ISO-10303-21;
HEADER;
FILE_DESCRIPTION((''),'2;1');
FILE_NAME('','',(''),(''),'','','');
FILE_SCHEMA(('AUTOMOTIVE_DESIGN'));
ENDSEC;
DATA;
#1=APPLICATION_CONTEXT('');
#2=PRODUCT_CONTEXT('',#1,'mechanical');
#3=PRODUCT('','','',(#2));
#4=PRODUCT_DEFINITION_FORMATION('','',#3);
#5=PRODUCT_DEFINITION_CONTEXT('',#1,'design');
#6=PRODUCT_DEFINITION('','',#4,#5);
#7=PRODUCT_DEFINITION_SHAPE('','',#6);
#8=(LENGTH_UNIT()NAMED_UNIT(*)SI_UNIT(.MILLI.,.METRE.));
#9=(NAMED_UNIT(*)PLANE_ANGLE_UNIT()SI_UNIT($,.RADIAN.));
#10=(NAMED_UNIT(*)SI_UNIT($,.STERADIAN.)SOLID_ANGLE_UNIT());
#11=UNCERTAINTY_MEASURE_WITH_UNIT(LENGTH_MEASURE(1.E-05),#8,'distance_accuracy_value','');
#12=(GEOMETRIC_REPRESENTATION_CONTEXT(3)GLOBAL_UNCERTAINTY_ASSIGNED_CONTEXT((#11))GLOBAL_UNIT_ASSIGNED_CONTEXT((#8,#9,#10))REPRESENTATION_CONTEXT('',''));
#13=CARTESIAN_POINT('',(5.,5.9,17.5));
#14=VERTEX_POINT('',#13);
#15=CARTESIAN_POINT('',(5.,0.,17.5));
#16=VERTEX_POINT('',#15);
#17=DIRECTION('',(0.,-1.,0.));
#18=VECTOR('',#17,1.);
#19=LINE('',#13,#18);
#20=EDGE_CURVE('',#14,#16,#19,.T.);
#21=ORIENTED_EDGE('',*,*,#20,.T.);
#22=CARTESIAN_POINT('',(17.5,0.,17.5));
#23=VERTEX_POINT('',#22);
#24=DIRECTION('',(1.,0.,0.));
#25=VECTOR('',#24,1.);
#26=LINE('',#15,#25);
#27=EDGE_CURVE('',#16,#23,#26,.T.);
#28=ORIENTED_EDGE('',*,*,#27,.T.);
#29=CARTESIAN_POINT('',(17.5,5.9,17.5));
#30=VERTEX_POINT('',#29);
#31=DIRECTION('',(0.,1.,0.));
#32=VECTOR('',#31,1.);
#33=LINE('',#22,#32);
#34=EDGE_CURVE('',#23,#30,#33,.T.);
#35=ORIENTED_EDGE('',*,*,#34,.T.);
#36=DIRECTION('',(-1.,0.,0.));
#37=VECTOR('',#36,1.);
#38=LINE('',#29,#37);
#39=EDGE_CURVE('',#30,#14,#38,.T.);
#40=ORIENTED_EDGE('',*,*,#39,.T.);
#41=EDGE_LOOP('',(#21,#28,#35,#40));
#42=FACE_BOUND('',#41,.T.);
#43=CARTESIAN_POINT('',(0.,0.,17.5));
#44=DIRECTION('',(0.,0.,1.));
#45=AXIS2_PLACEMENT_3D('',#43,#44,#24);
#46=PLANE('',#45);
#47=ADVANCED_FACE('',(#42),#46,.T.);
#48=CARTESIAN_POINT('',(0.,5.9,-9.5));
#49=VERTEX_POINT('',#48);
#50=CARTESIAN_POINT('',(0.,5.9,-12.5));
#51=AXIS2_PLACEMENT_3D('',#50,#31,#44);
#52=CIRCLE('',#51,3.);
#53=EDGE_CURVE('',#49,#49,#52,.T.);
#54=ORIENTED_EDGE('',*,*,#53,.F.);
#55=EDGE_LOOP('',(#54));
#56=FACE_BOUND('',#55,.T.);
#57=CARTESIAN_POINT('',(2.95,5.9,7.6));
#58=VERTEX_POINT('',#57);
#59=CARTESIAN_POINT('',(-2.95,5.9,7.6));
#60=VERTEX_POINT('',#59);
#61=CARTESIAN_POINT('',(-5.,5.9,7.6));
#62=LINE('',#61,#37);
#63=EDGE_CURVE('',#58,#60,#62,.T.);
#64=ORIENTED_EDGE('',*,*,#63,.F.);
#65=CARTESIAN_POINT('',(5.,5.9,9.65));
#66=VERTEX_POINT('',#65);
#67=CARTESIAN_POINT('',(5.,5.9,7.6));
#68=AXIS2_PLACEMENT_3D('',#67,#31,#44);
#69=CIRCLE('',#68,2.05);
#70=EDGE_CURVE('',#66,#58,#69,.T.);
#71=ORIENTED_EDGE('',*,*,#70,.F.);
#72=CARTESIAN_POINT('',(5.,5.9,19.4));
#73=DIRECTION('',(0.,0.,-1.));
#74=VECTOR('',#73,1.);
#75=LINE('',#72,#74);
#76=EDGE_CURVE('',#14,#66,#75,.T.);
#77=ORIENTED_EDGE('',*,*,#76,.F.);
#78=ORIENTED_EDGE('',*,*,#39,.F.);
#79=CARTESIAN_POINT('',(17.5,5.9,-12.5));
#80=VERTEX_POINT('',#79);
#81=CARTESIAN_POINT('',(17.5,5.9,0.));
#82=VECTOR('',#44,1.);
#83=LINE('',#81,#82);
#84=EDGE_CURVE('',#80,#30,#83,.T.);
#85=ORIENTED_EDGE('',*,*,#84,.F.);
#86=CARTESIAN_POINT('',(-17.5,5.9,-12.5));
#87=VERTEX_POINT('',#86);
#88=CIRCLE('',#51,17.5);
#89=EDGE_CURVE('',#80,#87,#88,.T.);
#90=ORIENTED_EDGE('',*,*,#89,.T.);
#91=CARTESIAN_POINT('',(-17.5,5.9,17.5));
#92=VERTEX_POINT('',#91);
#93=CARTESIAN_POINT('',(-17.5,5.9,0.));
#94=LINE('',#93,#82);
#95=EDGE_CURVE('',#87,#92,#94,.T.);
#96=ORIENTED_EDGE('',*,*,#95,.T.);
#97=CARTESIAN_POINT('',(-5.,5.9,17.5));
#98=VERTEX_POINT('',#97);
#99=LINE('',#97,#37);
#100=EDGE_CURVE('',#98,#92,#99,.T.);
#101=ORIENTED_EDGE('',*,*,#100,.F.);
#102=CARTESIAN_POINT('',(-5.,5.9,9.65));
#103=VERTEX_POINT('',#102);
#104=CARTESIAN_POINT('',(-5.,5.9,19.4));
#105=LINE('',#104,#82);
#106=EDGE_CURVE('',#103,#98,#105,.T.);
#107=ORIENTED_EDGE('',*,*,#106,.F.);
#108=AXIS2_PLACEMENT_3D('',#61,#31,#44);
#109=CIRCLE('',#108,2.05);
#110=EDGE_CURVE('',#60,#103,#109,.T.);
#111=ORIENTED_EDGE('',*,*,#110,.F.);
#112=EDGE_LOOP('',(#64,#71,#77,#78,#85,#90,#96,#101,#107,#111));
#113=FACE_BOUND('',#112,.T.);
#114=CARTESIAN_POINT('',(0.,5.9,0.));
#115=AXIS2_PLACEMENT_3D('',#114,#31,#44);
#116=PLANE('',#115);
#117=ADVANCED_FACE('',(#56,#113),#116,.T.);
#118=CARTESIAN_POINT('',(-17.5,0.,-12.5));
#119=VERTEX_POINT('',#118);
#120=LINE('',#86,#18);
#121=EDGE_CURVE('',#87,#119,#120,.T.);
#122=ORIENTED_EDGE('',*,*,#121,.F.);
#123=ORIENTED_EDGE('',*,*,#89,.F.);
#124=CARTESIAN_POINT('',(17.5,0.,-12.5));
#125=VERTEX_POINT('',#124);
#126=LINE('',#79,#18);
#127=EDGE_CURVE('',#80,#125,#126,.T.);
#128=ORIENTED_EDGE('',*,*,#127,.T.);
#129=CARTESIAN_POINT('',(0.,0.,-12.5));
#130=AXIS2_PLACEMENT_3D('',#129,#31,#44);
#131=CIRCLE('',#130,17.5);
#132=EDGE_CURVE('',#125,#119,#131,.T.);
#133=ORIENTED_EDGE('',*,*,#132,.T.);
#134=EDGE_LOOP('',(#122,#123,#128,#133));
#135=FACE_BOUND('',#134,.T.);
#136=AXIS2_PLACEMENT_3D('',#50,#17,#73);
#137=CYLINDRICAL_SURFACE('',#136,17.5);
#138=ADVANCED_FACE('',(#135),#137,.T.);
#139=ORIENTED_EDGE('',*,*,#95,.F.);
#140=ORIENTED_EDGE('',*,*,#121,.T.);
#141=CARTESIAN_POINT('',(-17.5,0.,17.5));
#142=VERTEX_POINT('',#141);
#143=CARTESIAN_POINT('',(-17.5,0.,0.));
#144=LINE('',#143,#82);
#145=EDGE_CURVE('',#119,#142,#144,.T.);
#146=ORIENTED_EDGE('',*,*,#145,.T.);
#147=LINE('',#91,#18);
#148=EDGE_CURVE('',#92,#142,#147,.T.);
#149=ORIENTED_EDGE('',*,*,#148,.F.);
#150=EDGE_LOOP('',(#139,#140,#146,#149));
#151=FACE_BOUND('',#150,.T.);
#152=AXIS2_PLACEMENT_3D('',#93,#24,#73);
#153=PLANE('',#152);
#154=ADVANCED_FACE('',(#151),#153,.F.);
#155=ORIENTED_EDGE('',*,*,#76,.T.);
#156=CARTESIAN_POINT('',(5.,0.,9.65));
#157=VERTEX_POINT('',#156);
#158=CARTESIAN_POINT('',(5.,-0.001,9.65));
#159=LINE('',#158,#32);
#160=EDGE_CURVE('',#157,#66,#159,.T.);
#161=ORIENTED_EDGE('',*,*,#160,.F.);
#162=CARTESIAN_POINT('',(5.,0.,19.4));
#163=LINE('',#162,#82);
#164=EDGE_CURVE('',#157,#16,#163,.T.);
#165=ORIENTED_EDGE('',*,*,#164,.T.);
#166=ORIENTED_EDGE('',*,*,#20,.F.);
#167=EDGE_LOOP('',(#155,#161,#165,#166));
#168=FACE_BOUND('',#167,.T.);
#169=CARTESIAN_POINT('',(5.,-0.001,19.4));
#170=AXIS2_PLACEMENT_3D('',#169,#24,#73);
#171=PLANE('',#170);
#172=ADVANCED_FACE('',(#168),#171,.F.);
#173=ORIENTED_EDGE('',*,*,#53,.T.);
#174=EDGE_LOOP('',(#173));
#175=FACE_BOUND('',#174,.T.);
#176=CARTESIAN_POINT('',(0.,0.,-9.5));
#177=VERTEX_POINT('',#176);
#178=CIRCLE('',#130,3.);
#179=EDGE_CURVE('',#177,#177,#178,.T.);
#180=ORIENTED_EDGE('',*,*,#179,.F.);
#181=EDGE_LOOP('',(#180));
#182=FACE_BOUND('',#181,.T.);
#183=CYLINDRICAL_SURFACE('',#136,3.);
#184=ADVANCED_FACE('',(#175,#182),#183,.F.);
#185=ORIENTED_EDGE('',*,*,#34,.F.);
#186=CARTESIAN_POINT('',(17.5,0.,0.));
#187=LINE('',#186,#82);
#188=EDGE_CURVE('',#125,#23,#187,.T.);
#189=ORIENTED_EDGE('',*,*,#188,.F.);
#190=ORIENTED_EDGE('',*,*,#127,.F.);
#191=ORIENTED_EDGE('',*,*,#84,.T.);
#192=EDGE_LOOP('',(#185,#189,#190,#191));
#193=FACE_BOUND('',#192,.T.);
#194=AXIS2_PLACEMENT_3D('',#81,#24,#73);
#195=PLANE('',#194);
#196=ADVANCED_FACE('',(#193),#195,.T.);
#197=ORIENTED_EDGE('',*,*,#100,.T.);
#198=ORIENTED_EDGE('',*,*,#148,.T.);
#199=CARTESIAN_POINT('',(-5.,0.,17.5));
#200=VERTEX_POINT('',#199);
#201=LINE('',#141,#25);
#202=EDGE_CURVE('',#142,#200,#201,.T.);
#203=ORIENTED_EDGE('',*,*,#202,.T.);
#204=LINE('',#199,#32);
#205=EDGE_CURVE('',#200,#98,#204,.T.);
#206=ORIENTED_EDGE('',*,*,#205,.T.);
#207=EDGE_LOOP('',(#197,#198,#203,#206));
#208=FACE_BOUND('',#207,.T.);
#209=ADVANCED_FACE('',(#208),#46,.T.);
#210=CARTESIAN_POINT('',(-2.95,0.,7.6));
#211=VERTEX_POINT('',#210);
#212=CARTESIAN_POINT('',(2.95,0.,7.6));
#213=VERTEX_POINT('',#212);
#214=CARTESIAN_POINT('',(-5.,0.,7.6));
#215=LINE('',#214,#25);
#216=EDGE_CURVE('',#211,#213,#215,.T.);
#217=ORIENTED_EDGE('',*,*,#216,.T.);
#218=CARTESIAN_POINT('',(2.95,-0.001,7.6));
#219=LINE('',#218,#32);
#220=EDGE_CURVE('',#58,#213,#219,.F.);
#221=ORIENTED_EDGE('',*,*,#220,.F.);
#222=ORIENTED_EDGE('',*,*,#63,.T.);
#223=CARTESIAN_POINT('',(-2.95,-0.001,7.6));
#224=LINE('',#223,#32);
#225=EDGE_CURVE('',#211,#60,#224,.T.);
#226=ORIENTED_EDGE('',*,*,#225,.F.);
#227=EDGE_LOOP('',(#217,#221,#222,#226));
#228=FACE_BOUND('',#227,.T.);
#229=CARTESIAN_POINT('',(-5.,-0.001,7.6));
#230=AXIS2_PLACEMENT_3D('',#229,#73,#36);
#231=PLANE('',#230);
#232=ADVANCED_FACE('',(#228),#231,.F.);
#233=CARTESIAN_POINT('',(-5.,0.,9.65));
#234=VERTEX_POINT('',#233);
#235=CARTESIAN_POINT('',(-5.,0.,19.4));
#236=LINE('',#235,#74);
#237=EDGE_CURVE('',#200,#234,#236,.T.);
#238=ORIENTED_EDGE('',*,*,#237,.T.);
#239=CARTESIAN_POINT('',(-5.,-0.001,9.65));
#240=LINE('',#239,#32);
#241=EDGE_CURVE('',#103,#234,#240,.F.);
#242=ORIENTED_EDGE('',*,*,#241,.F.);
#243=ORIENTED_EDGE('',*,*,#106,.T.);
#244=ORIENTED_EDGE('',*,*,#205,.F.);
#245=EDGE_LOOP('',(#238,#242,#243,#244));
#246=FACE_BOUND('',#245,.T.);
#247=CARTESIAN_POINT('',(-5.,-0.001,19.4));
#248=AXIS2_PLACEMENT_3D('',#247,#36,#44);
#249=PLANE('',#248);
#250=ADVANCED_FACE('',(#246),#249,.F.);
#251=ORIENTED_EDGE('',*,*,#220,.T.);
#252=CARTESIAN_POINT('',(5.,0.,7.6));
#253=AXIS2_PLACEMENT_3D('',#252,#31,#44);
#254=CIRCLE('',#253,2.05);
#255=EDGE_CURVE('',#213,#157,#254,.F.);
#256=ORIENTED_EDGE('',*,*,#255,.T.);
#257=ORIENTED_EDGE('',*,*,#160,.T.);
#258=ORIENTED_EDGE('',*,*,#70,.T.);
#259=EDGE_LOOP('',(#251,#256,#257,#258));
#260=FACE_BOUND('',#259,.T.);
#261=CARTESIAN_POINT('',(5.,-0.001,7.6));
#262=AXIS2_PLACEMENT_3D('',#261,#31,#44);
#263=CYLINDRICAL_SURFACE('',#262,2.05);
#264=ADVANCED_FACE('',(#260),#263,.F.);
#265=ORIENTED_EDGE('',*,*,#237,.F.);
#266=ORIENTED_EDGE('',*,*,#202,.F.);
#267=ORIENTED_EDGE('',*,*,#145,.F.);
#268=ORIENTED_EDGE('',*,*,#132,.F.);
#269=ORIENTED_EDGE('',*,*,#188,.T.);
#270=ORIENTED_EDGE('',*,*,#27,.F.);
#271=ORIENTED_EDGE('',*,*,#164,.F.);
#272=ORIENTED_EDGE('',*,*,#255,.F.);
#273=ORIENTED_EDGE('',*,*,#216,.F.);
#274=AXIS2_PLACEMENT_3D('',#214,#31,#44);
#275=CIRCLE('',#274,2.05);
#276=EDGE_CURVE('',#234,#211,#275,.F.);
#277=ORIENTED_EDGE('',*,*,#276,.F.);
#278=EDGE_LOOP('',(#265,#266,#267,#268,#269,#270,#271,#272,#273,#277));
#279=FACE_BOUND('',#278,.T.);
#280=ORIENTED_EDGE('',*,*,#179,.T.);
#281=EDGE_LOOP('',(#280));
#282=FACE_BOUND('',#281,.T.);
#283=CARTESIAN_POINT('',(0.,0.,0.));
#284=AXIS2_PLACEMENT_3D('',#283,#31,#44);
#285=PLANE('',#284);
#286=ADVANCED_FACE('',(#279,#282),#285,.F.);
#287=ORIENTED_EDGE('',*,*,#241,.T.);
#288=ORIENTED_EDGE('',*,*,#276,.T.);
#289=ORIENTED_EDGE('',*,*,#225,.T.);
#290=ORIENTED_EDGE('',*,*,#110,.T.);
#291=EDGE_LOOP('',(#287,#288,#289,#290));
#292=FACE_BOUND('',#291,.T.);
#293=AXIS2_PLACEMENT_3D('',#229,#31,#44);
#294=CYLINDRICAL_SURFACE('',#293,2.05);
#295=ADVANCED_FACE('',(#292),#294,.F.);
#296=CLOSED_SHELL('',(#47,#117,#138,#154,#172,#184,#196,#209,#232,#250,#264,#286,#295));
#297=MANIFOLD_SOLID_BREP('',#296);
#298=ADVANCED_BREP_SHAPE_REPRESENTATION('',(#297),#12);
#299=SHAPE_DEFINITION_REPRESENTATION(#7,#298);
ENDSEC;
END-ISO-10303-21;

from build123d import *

# Parameters (mm, degrees)
SKETCH1_R           = 3
BOSS_EXTRUDE1_DEPTH = 5.9
CUT_EXTRUDE1_REACH  = 7.9
SKETCH2_W           = 10
SKETCH2_H           = 11.8
SKETCH3_W           = 12.5
SKETCH3_H           = 5.9
BOSS_EXTRUDE2_DEPTH = 5
CUT_EXTRUDE2_REACH  = 7.9
SKETCH4_R           = 2.05


with BuildPart() as part:
    # Sketch1 → Boss-Extrude1 (new body)
    with BuildSketch(Plane(origin=(0, 0, 0), x_dir=(1, 0, 0), z_dir=(0, 1, 0))):
        with BuildLine():
            ThreePointArc((17.5, 12.5), (0, 30), (-17.5, 12.5))
            Line((-17.5, 12.5), (-17.5, -12.5))
            Line((-17.5, -12.5), (17.5, -12.5))
            Line((17.5, -12.5), (17.5, 12.5))
        make_face()
        with Locations((0, 12.5)):
            Circle(SKETCH1_R, mode=Mode.SUBTRACT)
    extrude(amount=BOSS_EXTRUDE1_DEPTH)

    # Sketch2 → Cut-Extrude1 (cut, up to next)
    with BuildSketch(Plane(origin=(0, 5.9, 0), x_dir=(1, 0, 0), z_dir=(0, 1, 0)), mode=Mode.PRIVATE) as cut_extrude1_sk1:
        with Locations((0, -13.5)):
            Rectangle(SKETCH2_W, SKETCH2_H)
    cut_extrude1_tool1 = extrude(cut_extrude1_sk1.sketch, amount=-CUT_EXTRUDE1_REACH, mode=Mode.PRIVATE) & part.part
    add(cut_extrude1_tool1.solids().sort_by_distance((0, 5.9, 13.5))[0], mode=Mode.SUBTRACT)

    # Sketch3 → Boss-Extrude2 (add)
    with BuildSketch(Plane.XY.offset(12.5)):
        with Locations((-11.25, 2.95)):
            Rectangle(SKETCH3_W, SKETCH3_H)
        with Locations((11.25, 2.95)):
            Rectangle(SKETCH3_W, SKETCH3_H)
    extrude(amount=BOSS_EXTRUDE2_DEPTH)

    # Sketch4 → Cut-Extrude2 (cut, up to next)
    with BuildSketch(Plane(origin=(0, 5.9, 0), x_dir=(1, 0, 0), z_dir=(0, 1, 0)), mode=Mode.PRIVATE) as cut_extrude2_sk1:
        with Locations((-5, -7.6)):
            Circle(SKETCH4_R)
    cut_extrude2_tool1 = extrude(cut_extrude2_sk1.sketch, amount=-CUT_EXTRUDE2_REACH, mode=Mode.PRIVATE) & part.part
    add(cut_extrude2_tool1.solids().sort_by_distance((-5, 5.9, 7.6))[0], mode=Mode.SUBTRACT)
    # Sketch4 → Cut-Extrude2 (cut, up to next)
    with BuildSketch(Plane(origin=(0, 5.9, 0), x_dir=(1, 0, 0), z_dir=(0, 1, 0)), mode=Mode.PRIVATE) as cut_extrude2_sk2:
        with Locations((5, -7.6)):
            Circle(SKETCH4_R)
    cut_extrude2_tool2 = extrude(cut_extrude2_sk2.sketch, amount=-CUT_EXTRUDE2_REACH, mode=Mode.PRIVATE) & part.part
    add(cut_extrude2_tool2.solids().sort_by_distance((5, 5.9, 7.6))[0], mode=Mode.SUBTRACT)


solid = part.part
